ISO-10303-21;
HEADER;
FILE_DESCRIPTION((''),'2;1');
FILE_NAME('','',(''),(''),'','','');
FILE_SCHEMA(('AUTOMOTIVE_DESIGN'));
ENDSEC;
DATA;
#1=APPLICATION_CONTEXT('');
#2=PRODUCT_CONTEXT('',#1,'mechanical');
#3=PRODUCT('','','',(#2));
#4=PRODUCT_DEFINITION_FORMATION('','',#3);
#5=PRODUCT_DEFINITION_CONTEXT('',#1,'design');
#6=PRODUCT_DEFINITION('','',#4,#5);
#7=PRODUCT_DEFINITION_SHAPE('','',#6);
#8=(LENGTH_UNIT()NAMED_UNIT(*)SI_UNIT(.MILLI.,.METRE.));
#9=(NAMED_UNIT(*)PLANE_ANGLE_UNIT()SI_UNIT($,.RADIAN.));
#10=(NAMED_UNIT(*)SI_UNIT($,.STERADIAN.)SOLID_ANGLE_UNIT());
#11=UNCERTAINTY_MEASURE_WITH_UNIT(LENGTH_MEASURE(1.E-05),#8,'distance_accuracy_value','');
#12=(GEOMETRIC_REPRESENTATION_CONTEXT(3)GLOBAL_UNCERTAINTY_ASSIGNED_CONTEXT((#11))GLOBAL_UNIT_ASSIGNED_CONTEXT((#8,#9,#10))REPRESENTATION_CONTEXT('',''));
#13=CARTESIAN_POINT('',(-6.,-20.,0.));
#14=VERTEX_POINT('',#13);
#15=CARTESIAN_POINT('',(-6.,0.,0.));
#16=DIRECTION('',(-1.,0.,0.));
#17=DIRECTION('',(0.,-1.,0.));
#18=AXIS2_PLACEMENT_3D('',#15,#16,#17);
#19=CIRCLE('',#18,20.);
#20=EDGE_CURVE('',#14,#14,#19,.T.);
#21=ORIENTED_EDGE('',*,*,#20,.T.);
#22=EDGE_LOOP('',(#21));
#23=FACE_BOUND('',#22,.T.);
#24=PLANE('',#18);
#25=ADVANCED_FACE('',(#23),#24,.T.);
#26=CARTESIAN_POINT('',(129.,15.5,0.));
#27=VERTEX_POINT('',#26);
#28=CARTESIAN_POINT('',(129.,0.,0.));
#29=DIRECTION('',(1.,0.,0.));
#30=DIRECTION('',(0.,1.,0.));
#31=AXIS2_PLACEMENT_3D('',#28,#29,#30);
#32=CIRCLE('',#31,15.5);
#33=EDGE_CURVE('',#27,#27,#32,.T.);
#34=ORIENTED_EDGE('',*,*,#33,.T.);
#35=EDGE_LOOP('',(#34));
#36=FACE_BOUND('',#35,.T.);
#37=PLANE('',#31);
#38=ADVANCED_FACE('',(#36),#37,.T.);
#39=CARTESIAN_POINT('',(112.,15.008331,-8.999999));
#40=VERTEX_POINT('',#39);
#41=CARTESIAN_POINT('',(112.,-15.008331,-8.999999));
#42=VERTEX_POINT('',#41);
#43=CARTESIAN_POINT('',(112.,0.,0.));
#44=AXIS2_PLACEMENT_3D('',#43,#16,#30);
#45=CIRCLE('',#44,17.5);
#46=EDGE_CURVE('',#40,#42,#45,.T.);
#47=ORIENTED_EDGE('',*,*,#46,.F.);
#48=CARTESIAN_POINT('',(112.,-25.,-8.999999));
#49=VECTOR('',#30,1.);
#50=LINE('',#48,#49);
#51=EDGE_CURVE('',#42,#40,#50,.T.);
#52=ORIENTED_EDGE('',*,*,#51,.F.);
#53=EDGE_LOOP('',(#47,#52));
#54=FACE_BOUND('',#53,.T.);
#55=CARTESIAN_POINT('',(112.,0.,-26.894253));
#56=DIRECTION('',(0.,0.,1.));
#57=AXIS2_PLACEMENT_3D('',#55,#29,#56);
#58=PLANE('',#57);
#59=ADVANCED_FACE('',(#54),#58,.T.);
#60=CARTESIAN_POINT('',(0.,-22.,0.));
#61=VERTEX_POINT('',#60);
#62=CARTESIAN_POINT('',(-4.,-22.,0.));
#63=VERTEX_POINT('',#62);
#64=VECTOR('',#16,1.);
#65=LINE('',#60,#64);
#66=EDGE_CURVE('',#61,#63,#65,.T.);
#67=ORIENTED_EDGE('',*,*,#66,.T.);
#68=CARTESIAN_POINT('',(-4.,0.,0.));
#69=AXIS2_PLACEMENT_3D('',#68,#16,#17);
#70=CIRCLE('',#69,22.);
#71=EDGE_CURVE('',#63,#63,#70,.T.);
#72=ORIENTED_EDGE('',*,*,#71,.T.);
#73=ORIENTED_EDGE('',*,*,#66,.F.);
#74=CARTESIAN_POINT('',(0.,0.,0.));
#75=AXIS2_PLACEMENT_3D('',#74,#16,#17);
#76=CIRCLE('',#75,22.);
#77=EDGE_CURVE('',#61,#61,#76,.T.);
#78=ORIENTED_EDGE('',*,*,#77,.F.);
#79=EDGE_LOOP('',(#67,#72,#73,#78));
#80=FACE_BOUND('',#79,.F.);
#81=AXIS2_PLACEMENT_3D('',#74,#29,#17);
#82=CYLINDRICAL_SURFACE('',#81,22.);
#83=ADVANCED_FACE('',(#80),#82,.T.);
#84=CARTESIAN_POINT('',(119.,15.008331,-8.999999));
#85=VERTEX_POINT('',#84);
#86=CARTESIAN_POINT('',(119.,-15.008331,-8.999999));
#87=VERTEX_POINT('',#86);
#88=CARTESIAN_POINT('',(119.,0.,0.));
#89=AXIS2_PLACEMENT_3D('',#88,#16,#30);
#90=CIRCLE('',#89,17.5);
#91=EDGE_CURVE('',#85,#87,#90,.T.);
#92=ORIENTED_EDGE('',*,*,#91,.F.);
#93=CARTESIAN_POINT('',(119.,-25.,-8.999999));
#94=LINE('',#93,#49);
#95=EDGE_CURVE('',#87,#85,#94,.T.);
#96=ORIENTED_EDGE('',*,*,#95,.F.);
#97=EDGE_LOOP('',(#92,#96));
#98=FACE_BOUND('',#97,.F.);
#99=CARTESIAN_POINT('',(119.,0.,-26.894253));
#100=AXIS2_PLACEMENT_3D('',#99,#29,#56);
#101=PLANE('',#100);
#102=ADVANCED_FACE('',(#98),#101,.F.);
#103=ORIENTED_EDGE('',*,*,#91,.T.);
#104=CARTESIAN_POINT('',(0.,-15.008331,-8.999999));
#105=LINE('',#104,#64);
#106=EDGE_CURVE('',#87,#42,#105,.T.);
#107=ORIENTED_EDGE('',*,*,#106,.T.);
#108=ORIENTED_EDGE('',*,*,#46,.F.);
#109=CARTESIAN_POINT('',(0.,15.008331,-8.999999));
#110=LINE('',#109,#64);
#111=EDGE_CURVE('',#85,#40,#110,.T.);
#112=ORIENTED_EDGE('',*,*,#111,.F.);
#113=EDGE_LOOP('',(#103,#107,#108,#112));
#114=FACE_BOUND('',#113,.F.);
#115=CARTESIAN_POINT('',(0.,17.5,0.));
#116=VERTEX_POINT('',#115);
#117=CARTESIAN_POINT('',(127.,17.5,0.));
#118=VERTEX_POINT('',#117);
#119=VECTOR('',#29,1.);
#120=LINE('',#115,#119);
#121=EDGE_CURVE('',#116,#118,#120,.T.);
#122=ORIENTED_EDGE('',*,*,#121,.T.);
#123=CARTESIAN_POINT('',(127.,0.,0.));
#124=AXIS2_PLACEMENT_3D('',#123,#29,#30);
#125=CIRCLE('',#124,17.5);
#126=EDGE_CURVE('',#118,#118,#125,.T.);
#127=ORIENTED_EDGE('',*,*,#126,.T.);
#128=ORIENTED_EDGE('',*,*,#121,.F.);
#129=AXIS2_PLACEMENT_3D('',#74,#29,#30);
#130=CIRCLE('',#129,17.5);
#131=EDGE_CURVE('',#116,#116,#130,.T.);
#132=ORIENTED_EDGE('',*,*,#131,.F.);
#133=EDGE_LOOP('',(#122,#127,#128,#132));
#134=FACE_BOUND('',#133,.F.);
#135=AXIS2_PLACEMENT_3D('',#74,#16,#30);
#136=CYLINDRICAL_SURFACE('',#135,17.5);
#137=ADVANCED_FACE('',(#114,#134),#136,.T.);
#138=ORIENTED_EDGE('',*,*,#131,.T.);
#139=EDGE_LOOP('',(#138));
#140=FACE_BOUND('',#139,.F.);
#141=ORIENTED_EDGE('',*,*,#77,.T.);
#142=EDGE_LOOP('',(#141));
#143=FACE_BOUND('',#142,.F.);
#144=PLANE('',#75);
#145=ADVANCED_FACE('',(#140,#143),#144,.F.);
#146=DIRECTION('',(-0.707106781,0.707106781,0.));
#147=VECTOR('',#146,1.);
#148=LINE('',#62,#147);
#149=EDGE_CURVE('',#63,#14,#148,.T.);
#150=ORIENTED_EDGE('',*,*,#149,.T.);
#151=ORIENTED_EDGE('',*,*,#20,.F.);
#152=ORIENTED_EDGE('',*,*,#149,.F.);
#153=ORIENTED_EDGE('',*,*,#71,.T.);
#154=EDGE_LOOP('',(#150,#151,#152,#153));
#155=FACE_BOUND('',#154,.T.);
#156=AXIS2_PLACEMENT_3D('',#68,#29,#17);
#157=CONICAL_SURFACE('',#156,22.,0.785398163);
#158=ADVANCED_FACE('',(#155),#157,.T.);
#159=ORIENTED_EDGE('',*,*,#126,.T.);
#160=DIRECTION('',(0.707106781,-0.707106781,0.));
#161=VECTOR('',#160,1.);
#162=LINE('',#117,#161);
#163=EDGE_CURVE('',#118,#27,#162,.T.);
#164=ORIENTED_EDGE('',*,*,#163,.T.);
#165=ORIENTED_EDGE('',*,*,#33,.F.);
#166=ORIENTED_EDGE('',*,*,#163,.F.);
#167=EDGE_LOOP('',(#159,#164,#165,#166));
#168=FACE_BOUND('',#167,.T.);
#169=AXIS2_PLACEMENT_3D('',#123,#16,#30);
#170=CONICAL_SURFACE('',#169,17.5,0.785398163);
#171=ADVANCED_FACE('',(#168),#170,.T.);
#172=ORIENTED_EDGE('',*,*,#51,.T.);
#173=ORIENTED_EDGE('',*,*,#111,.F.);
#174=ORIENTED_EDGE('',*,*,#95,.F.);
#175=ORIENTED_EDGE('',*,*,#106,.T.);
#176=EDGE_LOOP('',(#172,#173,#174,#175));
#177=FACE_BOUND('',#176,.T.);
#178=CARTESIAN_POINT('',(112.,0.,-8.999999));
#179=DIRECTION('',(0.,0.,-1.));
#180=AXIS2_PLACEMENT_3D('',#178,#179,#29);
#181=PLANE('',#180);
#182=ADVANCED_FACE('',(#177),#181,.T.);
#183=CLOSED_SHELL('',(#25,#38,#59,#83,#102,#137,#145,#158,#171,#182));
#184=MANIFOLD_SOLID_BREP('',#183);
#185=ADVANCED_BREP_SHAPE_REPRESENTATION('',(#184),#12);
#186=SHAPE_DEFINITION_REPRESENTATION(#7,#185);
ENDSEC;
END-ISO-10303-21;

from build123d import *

# Parameters (mm, degrees)
F0_R     = 17.5
F1_DEPTH = 129
F2_SIZE  = 2
F3_R     = 22
F4_DEPTH = 6
F5_SIZE  = 2
F6_W     = 7
F6_H     = 17.894253
F7_DEPTH = 25


with BuildPart() as f1:
    # F0 (on Right) → F1 (new body)
    with BuildSketch(Plane.YZ):
        Circle(F0_R)
    extrude(amount=F1_DEPTH)

    # F2
    f2_edges = [f1.edges().sort_by_distance(p)[0] for p in [
        (129, -17.5, 0),
    ]]
    chamfer(f2_edges, length=F2_SIZE)

    # F3 (on face) → F4 (join)
    with BuildSketch(Plane(origin=(0, 0, 0), x_dir=(0, -1, 0), z_dir=(-1, 0, 0))):
        Circle(F3_R)
    extrude(amount=F4_DEPTH)

    # F5
    f5_edges = [f1.edges().sort_by_distance(p)[0] for p in [
        (-6, 22, 0),
    ]]
    chamfer(f5_edges, length=F5_SIZE)

    # F6 (on Front) → F7 (cut, symmetric)
    with BuildSketch(Plane.XZ):
        with Locations((115.5, -17.947126)):
            Rectangle(F6_W, F6_H)
    extrude(amount=F7_DEPTH, both=True, mode=Mode.SUBTRACT)


solid = f1.part
